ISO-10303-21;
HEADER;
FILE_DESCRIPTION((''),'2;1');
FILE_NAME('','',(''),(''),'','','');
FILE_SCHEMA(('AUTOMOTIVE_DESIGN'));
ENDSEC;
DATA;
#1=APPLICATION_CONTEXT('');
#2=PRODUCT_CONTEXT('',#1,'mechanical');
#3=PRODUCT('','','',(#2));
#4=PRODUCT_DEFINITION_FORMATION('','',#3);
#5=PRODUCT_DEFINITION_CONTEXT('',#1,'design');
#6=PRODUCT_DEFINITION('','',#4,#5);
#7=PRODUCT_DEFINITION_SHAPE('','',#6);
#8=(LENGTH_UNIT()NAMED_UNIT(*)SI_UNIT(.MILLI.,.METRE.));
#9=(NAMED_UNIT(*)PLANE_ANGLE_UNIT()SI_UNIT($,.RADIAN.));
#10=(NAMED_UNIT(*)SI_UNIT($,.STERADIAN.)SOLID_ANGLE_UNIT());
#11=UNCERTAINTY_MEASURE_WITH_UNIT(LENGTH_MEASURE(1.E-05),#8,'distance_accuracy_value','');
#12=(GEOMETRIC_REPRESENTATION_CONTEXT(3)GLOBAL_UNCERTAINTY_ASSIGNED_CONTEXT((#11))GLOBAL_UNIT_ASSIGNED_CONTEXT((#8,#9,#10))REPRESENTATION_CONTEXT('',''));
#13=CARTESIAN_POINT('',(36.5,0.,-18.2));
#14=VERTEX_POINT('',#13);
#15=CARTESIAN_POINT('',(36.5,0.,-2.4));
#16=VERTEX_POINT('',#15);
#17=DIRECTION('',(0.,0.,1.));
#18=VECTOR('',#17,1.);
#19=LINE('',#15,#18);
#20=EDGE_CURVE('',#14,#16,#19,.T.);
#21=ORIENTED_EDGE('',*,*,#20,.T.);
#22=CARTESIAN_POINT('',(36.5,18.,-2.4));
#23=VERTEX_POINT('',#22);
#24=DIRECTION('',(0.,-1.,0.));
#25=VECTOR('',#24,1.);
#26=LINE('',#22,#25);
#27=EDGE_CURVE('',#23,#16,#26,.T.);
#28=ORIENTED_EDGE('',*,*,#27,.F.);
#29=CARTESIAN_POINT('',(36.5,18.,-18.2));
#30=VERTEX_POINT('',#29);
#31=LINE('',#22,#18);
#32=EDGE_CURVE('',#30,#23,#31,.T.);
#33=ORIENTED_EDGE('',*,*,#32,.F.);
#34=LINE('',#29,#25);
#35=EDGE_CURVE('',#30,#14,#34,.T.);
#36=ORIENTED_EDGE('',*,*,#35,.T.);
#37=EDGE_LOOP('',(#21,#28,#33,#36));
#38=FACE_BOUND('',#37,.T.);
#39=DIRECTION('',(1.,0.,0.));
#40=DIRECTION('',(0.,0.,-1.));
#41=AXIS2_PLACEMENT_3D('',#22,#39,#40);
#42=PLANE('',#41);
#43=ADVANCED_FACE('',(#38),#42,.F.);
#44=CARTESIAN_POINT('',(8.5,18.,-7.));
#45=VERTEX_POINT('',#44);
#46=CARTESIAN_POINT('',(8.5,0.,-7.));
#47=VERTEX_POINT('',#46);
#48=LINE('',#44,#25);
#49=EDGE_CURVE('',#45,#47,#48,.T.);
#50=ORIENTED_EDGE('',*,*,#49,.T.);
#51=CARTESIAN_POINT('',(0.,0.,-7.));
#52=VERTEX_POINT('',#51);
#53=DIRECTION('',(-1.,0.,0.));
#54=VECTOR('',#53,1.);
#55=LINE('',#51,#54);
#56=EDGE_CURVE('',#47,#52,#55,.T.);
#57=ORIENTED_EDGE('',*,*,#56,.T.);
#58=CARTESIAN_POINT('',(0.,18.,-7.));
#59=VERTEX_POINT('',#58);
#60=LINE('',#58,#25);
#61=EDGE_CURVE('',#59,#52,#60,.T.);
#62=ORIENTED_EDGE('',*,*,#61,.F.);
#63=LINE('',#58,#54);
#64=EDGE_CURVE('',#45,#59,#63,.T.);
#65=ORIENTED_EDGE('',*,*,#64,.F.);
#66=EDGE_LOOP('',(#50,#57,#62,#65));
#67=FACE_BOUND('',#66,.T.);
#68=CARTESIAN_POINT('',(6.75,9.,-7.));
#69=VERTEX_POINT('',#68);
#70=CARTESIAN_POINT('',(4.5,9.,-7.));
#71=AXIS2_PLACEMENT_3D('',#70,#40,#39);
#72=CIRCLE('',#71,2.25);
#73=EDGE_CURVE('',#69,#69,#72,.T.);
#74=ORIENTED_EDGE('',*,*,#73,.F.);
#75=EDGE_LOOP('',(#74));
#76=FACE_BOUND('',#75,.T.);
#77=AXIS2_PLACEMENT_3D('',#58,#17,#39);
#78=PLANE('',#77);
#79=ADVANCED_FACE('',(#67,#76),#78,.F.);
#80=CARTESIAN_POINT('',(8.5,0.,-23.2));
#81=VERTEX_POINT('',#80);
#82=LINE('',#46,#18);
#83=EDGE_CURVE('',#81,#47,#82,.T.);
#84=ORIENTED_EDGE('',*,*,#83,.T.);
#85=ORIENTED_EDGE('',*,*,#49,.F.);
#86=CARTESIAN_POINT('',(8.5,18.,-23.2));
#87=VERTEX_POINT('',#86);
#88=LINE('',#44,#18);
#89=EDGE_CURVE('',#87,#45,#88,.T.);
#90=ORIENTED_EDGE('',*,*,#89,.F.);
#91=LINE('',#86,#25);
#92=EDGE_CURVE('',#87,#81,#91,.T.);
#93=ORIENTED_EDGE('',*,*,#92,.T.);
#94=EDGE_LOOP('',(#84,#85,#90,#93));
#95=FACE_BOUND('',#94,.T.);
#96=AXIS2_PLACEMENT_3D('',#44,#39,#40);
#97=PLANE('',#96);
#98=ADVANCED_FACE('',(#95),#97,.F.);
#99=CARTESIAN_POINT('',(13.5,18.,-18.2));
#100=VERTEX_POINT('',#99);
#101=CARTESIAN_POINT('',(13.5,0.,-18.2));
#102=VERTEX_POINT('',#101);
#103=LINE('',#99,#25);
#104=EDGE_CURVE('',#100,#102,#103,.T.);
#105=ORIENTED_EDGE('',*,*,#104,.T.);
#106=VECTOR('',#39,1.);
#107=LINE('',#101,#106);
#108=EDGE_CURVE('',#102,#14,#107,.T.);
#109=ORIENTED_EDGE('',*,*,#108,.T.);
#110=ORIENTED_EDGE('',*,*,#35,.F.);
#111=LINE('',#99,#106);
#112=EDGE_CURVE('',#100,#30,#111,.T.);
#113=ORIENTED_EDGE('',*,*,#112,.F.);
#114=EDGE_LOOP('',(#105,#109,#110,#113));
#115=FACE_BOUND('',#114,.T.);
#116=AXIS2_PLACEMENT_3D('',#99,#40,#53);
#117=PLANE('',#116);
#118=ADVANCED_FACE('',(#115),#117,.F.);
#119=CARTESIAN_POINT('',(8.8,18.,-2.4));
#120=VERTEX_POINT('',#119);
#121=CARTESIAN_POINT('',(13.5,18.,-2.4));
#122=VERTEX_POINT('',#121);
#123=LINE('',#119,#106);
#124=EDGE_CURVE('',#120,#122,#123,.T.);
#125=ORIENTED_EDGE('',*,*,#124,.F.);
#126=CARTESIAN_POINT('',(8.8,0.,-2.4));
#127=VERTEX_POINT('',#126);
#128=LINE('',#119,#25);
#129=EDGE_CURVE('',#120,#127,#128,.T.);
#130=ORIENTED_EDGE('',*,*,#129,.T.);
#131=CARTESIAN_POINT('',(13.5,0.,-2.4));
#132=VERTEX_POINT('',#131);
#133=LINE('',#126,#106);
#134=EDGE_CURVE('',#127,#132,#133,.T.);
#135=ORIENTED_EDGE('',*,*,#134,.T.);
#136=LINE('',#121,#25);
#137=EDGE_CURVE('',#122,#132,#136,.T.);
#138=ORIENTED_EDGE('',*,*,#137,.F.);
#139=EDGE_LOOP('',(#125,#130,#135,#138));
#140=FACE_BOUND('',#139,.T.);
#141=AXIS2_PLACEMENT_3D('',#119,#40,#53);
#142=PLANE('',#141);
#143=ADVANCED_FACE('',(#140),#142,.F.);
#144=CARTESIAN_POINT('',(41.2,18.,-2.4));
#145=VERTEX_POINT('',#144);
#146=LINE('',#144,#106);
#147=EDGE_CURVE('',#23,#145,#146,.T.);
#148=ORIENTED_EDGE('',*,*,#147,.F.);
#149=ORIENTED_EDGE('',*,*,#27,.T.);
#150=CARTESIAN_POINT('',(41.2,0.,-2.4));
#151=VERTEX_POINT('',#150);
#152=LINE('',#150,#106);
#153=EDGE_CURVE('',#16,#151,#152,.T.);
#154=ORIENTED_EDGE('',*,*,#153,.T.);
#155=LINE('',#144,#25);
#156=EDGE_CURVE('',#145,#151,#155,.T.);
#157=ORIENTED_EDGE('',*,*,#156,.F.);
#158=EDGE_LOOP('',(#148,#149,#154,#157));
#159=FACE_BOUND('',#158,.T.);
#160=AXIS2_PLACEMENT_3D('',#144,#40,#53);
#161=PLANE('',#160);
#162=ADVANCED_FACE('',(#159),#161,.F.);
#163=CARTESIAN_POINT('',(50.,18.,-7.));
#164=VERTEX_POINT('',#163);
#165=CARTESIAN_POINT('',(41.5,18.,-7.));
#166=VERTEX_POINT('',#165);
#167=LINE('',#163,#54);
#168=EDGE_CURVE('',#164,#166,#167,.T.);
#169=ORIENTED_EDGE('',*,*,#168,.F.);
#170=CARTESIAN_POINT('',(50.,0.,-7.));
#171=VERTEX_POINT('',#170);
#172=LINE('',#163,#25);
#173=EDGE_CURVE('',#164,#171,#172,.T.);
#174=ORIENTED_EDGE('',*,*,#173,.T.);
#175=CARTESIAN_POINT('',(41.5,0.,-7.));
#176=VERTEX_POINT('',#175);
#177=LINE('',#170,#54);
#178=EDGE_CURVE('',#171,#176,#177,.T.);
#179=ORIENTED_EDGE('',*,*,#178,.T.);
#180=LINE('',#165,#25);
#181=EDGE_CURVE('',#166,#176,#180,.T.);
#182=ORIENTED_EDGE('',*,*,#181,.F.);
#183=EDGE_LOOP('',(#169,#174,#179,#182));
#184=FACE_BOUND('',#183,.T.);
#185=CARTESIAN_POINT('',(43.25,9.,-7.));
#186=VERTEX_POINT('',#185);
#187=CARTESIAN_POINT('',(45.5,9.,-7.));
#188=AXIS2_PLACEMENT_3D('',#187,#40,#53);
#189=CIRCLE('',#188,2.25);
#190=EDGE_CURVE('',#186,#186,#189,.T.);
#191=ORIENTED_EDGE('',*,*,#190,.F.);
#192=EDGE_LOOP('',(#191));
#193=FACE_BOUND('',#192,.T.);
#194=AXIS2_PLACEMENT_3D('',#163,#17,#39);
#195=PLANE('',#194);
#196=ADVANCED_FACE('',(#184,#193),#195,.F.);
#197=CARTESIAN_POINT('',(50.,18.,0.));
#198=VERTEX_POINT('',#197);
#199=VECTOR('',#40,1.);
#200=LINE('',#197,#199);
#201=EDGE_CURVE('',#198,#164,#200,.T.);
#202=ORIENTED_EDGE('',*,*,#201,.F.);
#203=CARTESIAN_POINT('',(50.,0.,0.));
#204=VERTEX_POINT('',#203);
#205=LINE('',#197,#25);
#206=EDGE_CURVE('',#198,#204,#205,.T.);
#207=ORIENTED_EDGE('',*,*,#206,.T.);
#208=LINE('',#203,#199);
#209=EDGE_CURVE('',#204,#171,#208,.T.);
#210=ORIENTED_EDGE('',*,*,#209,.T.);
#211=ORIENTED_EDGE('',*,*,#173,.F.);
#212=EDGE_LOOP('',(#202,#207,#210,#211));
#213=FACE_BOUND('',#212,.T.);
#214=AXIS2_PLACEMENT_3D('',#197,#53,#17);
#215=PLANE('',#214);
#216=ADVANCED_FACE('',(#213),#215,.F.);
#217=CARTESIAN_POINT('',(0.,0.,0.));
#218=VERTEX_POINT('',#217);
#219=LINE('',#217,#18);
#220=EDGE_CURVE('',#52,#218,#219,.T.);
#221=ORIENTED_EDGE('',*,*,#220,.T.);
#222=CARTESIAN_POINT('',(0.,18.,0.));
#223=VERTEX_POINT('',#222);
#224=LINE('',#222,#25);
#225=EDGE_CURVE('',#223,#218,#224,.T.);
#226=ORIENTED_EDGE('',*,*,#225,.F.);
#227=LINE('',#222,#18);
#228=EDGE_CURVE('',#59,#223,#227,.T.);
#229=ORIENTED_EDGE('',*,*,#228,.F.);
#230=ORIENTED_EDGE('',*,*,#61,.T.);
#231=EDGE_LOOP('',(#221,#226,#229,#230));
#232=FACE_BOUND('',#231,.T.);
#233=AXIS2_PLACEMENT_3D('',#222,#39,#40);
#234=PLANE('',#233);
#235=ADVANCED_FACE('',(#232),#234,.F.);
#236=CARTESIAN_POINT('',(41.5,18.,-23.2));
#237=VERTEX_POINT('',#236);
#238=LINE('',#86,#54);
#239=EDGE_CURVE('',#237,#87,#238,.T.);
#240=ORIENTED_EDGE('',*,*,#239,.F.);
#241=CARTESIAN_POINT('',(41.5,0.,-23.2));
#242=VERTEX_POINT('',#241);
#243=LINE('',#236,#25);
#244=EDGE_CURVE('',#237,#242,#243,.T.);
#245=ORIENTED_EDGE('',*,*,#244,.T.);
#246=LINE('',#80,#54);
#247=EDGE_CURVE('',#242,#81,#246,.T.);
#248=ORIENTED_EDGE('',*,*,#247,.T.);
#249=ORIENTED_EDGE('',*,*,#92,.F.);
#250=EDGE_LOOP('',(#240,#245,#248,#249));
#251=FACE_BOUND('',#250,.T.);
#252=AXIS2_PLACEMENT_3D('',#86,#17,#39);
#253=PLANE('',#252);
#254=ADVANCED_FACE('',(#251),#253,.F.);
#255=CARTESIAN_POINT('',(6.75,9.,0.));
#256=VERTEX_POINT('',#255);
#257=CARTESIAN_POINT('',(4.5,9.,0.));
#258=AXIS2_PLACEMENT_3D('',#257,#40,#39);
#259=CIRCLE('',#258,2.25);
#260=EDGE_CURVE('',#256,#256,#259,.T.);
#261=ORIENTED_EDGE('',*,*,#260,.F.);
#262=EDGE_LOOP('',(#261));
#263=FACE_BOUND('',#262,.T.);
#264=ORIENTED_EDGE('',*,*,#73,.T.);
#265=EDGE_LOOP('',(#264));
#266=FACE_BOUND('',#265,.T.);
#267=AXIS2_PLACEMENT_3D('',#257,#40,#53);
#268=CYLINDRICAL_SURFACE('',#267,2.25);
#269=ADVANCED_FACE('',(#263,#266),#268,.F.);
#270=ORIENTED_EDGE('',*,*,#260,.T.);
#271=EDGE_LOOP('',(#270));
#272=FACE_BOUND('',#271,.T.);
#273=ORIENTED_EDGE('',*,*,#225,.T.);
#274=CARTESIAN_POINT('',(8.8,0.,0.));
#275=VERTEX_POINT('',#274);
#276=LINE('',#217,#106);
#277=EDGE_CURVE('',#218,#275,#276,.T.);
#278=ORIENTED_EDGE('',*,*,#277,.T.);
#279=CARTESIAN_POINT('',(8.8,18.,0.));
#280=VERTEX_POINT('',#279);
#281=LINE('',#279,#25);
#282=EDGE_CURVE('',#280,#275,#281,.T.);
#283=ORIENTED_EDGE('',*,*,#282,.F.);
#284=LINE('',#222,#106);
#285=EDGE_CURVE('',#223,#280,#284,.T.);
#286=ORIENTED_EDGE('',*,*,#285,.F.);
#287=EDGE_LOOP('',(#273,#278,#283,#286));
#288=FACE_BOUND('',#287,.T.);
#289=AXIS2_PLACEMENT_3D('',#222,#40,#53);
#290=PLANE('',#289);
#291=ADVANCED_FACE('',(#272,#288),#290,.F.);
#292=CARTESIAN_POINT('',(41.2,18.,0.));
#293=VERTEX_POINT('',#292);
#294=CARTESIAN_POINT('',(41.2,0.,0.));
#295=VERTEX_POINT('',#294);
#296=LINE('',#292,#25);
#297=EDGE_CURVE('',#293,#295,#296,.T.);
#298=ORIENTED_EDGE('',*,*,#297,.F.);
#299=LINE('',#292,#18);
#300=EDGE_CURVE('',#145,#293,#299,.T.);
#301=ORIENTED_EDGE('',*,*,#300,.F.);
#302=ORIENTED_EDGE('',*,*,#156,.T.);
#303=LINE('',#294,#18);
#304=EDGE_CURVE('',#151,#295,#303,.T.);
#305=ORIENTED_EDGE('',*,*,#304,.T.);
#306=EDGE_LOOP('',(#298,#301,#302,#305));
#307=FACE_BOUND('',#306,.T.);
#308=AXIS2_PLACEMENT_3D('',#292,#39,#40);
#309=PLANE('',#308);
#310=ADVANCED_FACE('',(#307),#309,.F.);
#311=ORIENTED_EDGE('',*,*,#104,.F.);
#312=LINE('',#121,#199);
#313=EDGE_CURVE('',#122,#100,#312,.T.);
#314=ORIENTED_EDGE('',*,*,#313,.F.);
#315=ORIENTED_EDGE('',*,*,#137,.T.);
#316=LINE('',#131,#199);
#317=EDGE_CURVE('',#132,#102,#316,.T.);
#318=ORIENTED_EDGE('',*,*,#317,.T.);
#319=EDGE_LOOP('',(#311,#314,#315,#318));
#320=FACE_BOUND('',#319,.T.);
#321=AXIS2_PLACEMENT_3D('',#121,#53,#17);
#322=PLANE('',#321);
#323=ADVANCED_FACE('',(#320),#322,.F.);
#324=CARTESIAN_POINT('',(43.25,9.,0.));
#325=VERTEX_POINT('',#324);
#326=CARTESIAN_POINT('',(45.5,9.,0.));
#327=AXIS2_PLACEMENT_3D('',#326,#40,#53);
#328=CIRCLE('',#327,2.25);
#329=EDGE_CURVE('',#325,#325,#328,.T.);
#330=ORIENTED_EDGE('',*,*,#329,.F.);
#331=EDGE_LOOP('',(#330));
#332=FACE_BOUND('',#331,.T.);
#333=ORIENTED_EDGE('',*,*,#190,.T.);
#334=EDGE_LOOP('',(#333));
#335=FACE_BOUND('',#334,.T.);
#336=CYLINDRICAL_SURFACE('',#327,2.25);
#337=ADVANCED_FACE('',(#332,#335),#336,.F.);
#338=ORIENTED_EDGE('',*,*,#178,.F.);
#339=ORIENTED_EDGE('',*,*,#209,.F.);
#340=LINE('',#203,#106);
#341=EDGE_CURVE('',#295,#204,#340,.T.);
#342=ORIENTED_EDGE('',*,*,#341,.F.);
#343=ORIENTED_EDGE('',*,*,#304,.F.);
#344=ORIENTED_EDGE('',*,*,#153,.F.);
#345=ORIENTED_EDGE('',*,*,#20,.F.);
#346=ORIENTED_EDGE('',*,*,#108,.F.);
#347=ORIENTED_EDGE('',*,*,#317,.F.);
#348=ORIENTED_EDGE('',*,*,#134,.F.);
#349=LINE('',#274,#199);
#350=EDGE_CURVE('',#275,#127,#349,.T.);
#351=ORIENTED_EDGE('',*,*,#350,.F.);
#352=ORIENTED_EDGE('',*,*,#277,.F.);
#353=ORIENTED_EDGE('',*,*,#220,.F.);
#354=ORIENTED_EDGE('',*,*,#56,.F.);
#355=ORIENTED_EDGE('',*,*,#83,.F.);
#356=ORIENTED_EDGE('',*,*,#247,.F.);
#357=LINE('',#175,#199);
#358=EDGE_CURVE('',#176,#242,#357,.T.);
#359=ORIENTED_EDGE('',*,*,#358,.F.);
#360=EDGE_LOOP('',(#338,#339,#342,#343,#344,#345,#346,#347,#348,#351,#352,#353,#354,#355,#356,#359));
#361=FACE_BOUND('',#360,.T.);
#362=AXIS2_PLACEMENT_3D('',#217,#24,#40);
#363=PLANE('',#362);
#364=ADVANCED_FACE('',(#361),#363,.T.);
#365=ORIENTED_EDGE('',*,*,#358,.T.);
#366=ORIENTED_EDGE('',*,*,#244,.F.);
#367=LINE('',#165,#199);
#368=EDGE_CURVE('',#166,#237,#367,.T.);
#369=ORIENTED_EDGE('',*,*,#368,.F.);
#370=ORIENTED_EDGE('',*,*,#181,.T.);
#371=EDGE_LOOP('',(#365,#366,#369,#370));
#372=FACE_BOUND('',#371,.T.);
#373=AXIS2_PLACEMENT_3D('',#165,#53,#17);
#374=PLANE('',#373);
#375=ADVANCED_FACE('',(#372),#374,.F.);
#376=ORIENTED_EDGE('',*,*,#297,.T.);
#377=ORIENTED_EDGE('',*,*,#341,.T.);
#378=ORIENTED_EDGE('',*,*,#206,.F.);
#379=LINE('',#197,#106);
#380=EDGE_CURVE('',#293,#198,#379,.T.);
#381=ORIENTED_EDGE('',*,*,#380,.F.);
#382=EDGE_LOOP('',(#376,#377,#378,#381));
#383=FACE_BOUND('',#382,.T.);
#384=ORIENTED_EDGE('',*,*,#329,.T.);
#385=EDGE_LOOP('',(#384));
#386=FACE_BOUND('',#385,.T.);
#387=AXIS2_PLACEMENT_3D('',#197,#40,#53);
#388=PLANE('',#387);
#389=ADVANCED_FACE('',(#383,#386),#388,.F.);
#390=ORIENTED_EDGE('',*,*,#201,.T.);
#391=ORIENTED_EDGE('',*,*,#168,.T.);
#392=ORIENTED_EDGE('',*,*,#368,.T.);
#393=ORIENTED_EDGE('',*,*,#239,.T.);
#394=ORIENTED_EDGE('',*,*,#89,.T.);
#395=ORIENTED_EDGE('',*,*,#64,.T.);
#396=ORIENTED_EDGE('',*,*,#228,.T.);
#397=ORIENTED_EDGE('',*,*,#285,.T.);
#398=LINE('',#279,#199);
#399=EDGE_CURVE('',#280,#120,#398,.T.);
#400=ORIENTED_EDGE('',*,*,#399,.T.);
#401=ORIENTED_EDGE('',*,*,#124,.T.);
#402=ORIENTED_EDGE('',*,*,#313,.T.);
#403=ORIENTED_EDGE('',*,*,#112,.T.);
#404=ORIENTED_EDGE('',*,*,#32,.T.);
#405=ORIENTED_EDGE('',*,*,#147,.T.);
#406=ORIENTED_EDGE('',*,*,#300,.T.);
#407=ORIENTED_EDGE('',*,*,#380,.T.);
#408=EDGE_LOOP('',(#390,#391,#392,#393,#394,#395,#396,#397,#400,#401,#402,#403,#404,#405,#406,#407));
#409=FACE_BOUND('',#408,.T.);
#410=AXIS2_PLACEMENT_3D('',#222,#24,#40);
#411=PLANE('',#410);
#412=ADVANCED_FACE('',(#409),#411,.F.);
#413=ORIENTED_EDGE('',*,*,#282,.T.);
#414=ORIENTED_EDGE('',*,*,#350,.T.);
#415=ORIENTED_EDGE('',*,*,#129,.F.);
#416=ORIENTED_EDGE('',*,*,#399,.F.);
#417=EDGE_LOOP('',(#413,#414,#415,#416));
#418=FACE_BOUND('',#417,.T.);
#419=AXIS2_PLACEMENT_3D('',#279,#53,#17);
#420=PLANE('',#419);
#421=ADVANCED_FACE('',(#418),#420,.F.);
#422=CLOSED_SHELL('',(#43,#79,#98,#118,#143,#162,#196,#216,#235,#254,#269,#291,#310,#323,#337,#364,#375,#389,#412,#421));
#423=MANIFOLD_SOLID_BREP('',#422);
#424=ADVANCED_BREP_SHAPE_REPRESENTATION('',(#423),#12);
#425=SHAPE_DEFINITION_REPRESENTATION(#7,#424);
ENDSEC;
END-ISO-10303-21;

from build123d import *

# Parameters (mm, degrees)
BOSS_EXTRUDE1_DEPTH = 18
SKETCH2_R           = 2.25
CUT_EXTRUDE1_DEPTH  = 56.555737777


with BuildPart() as part:
    # Sketch1 → Boss-Extrude1 (new body)
    with BuildSketch(Plane(origin=(0, 0, 0), x_dir=(1, 0, 0), z_dir=(0, 1, 0))):
        Polygon((0, 0), (8.8, 0), (8.8, 2.4), (13.5, 2.4), (13.5, 18.2), (36.5, 18.2), (36.5, 2.4), (41.2, 2.4), (41.2, 0), (50, 0), (50, 7), (41.5, 7), (41.5, 23.2), (8.5, 23.2), (8.5, 7), (0, 7), align=None)
    extrude(amount=BOSS_EXTRUDE1_DEPTH)

    # Sketch2 → Cut-Extrude1 (cut, through all)
    with BuildSketch(Plane(origin=(0, 0, -7), x_dir=(-1, 0, 0), z_dir=(0, 0, -1))):
        with Locations((-45.5, 9)):
            Circle(SKETCH2_R)
        with Locations(Location((-4.5, 9, 0), (0, 0, 180))):
            Circle(SKETCH2_R)
    extrude(amount=-CUT_EXTRUDE1_DEPTH, mode=Mode.SUBTRACT)


solid = part.part
